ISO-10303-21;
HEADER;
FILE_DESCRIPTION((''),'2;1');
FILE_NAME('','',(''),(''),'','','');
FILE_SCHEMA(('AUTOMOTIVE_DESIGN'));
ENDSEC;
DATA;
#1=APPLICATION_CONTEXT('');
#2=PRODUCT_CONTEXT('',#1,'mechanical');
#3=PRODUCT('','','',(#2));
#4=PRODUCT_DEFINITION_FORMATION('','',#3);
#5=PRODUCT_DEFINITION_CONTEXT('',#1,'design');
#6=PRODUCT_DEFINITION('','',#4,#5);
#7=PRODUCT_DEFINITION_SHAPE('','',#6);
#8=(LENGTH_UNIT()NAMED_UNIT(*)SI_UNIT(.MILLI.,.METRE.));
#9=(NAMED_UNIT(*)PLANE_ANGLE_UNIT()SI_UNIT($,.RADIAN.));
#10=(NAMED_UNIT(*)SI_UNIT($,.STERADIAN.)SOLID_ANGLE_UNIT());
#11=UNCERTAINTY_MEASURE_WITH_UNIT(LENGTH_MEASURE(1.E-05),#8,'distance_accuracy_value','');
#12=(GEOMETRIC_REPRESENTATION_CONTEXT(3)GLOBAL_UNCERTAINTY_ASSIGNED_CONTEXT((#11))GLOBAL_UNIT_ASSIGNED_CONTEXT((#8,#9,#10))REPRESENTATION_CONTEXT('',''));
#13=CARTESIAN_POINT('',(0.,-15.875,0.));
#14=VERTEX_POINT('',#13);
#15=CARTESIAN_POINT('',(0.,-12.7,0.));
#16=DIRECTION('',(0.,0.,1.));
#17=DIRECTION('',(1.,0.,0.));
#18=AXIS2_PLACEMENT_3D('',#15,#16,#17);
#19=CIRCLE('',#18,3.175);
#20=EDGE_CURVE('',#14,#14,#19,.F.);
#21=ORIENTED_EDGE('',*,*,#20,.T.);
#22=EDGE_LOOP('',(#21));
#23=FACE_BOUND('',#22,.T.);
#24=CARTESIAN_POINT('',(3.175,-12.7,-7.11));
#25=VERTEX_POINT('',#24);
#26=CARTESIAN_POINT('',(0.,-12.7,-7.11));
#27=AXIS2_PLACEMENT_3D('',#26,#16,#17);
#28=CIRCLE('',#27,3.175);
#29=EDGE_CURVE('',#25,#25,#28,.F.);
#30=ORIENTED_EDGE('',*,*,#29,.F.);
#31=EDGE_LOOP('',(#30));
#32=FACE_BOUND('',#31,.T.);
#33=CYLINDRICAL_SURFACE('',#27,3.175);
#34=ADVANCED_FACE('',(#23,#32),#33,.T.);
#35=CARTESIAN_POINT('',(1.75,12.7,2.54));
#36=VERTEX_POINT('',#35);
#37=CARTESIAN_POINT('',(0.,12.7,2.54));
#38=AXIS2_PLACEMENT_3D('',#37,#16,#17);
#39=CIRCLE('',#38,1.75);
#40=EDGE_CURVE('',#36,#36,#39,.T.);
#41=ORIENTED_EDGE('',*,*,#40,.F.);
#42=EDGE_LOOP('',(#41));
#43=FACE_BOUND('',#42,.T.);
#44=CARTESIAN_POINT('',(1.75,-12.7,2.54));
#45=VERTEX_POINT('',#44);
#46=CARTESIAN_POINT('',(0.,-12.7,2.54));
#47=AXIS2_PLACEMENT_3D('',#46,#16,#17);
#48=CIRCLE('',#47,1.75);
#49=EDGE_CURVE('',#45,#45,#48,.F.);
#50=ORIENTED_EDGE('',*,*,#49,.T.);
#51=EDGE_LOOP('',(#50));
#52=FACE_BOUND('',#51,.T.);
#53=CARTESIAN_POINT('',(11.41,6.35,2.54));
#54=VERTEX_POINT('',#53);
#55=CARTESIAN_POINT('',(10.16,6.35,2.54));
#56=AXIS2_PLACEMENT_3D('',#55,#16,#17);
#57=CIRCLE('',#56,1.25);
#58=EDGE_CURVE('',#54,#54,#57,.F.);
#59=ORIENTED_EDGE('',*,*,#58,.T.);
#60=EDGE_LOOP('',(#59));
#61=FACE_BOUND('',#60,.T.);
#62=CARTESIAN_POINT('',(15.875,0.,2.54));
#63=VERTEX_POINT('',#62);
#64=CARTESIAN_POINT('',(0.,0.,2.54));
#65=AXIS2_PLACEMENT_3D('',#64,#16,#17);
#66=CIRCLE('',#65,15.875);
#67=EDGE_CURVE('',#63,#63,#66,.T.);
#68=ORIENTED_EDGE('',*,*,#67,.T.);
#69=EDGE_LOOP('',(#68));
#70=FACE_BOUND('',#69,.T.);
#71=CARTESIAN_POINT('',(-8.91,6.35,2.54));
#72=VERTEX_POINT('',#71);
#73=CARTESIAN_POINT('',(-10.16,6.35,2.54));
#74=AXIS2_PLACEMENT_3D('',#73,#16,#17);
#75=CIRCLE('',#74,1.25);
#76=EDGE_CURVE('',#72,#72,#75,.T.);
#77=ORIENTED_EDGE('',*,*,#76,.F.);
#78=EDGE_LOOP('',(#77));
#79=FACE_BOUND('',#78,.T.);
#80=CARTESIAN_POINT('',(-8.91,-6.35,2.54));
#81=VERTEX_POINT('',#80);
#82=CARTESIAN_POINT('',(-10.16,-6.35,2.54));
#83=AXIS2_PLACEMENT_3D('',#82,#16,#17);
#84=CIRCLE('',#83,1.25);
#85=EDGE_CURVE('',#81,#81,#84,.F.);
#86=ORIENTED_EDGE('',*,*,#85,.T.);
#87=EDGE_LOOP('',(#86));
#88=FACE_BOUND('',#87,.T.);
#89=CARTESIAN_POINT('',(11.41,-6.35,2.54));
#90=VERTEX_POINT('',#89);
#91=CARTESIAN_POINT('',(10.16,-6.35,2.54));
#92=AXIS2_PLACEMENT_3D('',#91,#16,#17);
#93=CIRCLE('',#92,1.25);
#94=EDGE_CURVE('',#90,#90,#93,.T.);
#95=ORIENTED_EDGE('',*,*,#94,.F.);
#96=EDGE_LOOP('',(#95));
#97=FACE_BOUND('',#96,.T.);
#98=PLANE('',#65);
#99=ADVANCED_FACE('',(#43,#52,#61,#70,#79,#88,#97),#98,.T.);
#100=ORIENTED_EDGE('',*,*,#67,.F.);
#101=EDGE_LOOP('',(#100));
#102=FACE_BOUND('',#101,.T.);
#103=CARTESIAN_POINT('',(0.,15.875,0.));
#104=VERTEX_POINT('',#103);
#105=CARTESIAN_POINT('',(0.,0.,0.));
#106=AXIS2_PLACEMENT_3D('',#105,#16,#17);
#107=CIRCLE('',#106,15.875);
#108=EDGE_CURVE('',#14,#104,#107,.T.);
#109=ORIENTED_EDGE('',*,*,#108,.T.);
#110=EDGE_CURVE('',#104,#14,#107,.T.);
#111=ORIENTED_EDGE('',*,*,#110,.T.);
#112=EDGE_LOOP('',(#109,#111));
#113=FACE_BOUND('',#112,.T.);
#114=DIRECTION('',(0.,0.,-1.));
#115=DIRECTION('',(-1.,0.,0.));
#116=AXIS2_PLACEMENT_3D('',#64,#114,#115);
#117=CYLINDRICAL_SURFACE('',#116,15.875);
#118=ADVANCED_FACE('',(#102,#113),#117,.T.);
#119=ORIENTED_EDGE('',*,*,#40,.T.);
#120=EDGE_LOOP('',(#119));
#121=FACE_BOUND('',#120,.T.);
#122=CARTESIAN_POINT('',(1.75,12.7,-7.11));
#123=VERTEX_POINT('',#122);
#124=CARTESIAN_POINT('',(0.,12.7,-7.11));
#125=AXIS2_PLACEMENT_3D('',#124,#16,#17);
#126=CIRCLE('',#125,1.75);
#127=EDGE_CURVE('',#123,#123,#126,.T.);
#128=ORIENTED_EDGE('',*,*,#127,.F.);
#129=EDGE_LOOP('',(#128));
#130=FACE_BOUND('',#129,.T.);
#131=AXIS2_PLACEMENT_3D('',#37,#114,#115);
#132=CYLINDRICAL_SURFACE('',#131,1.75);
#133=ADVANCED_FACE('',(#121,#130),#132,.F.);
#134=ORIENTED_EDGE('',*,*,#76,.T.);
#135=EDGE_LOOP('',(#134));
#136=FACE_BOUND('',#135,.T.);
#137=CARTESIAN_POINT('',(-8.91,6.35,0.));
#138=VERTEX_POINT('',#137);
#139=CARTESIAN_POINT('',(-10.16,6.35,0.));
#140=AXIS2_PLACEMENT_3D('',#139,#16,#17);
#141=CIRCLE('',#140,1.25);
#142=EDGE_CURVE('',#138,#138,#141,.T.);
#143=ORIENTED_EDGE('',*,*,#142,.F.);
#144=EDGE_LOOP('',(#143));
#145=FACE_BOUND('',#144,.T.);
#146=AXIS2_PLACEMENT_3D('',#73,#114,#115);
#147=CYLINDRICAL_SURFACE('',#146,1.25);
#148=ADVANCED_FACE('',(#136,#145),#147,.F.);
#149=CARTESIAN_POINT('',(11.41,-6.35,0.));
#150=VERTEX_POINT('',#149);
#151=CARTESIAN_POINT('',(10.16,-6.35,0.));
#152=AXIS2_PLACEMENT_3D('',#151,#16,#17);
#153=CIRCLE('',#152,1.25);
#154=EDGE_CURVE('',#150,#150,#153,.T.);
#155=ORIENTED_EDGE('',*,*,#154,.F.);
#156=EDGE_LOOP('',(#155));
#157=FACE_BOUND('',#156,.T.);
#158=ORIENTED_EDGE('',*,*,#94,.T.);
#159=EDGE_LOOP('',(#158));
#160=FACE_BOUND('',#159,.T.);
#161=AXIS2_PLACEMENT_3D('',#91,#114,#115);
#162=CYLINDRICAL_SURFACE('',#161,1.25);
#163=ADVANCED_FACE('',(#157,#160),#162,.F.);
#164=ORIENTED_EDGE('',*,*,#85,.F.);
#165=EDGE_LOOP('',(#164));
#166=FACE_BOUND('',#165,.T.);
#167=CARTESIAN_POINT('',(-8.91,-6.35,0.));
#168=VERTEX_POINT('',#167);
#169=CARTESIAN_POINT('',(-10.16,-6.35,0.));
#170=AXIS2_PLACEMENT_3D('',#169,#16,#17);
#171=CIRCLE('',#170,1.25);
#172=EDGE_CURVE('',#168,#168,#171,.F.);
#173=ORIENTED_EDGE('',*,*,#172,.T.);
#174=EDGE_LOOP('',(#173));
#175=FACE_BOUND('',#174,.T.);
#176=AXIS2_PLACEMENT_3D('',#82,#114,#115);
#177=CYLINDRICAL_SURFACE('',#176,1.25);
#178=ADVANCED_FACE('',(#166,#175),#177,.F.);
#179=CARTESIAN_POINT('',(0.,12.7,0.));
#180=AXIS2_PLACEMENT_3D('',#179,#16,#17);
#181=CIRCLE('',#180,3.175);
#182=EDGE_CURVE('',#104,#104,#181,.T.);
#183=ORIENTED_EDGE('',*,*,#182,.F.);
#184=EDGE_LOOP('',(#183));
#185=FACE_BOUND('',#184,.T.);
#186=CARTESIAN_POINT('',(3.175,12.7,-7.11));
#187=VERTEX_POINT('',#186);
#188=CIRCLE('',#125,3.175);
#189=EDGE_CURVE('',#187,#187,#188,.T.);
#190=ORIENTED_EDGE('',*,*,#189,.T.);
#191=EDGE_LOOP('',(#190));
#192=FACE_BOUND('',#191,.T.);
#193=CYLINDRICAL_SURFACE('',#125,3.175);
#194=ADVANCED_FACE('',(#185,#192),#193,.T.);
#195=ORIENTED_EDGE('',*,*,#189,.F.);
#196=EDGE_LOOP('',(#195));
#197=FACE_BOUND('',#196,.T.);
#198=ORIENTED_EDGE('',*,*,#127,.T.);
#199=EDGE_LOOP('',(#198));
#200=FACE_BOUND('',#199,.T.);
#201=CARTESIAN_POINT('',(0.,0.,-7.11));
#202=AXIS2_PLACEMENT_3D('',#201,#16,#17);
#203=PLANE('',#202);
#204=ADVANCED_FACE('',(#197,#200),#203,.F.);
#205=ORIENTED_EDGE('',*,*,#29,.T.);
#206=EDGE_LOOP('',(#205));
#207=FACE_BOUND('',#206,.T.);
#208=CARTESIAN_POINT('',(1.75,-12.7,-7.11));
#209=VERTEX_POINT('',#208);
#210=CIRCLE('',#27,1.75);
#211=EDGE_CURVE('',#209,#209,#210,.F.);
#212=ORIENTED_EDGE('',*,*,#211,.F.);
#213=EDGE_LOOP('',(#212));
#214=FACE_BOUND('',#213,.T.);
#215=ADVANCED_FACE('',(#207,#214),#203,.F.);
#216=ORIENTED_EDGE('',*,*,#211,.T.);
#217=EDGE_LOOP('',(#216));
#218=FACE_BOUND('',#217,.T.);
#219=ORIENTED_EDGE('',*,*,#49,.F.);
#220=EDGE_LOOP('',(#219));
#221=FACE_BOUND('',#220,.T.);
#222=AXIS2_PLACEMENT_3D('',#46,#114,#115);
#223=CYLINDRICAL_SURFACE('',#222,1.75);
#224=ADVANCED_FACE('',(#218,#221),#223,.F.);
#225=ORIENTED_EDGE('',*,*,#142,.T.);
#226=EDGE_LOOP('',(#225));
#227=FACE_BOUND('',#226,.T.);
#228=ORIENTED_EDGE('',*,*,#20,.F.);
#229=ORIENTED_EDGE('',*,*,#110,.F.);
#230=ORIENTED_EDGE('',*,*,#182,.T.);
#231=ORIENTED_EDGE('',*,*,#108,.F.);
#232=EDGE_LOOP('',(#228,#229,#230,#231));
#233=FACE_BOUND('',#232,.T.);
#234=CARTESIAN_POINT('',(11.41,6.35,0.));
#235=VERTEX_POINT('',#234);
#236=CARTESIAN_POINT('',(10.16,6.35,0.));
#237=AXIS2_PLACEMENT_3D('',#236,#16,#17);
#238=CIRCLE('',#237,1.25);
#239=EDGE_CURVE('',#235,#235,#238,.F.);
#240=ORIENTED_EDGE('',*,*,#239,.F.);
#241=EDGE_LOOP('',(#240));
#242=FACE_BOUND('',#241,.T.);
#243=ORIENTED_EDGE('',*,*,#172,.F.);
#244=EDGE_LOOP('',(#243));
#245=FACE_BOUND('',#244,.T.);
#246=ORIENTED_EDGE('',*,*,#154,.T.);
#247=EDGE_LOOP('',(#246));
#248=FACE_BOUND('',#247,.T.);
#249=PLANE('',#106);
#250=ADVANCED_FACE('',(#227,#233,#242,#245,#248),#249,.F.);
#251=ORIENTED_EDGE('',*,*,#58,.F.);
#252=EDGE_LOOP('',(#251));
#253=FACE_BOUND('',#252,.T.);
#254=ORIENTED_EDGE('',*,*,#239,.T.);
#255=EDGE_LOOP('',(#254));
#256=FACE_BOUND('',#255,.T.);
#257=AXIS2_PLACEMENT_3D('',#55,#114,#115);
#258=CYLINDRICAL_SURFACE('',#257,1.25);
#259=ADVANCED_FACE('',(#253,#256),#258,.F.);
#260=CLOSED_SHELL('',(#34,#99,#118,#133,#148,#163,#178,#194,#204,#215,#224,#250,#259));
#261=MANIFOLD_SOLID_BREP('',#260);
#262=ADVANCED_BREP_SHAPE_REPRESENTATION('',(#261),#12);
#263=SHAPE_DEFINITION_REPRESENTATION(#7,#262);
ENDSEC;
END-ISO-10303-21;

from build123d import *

# Parameters (mm, degrees)
SKETCH1_R           = 15.875
SKETCH1_R_2         = 1.75
SKETCH1_R_3         = 1.25
BOSS_EXTRUDE1_DEPTH = 2.54
BOSS_EXTRUDE2_START = -7.110000004
SKETCH1_3_R         = 3.175
SKETCH1_3_R_2       = 1.75
BOSS_EXTRUDE2_DEPTH = 7.110000004


with BuildPart() as part:
    # Sketch1 → Boss-Extrude1 (new body)
    with BuildSketch(Plane.XY):
        Circle(SKETCH1_R)
        with Locations((0, 12.7)):
            Circle(SKETCH1_R_2, mode=Mode.SUBTRACT)
        with Locations((0, -12.7)):
            Circle(SKETCH1_R_2, mode=Mode.SUBTRACT)
        with Locations((-10.16, 6.35)):
            Circle(SKETCH1_R_3, mode=Mode.SUBTRACT)
        with Locations((10.16, 6.35)):
            Circle(SKETCH1_R_3, mode=Mode.SUBTRACT)
        with Locations((10.16, -6.35)):
            Circle(SKETCH1_R_3, mode=Mode.SUBTRACT)
        with Locations((-10.16, -6.35)):
            Circle(SKETCH1_R_3, mode=Mode.SUBTRACT)
    extrude(amount=BOSS_EXTRUDE1_DEPTH)

    # Sketch1<3> → Boss-Extrude2 (add)
    # profile 1 of 2: a face of its own
    with BuildSketch(Plane.XY.offset(BOSS_EXTRUDE2_START)):
        with Locations((0, 12.7)):
            Circle(SKETCH1_3_R)
        with Locations((0, 12.7)):
            Circle(SKETCH1_3_R_2, mode=Mode.SUBTRACT)
    # profile 2 of 2: a face of its own
    with BuildSketch(Plane.XY.offset(BOSS_EXTRUDE2_START)):
        with Locations((0, -12.7)):
            Circle(SKETCH1_3_R)
        with Locations((0, -12.7)):
            Circle(SKETCH1_3_R_2, mode=Mode.SUBTRACT)
    extrude(amount=BOSS_EXTRUDE2_DEPTH)


solid = part.part
